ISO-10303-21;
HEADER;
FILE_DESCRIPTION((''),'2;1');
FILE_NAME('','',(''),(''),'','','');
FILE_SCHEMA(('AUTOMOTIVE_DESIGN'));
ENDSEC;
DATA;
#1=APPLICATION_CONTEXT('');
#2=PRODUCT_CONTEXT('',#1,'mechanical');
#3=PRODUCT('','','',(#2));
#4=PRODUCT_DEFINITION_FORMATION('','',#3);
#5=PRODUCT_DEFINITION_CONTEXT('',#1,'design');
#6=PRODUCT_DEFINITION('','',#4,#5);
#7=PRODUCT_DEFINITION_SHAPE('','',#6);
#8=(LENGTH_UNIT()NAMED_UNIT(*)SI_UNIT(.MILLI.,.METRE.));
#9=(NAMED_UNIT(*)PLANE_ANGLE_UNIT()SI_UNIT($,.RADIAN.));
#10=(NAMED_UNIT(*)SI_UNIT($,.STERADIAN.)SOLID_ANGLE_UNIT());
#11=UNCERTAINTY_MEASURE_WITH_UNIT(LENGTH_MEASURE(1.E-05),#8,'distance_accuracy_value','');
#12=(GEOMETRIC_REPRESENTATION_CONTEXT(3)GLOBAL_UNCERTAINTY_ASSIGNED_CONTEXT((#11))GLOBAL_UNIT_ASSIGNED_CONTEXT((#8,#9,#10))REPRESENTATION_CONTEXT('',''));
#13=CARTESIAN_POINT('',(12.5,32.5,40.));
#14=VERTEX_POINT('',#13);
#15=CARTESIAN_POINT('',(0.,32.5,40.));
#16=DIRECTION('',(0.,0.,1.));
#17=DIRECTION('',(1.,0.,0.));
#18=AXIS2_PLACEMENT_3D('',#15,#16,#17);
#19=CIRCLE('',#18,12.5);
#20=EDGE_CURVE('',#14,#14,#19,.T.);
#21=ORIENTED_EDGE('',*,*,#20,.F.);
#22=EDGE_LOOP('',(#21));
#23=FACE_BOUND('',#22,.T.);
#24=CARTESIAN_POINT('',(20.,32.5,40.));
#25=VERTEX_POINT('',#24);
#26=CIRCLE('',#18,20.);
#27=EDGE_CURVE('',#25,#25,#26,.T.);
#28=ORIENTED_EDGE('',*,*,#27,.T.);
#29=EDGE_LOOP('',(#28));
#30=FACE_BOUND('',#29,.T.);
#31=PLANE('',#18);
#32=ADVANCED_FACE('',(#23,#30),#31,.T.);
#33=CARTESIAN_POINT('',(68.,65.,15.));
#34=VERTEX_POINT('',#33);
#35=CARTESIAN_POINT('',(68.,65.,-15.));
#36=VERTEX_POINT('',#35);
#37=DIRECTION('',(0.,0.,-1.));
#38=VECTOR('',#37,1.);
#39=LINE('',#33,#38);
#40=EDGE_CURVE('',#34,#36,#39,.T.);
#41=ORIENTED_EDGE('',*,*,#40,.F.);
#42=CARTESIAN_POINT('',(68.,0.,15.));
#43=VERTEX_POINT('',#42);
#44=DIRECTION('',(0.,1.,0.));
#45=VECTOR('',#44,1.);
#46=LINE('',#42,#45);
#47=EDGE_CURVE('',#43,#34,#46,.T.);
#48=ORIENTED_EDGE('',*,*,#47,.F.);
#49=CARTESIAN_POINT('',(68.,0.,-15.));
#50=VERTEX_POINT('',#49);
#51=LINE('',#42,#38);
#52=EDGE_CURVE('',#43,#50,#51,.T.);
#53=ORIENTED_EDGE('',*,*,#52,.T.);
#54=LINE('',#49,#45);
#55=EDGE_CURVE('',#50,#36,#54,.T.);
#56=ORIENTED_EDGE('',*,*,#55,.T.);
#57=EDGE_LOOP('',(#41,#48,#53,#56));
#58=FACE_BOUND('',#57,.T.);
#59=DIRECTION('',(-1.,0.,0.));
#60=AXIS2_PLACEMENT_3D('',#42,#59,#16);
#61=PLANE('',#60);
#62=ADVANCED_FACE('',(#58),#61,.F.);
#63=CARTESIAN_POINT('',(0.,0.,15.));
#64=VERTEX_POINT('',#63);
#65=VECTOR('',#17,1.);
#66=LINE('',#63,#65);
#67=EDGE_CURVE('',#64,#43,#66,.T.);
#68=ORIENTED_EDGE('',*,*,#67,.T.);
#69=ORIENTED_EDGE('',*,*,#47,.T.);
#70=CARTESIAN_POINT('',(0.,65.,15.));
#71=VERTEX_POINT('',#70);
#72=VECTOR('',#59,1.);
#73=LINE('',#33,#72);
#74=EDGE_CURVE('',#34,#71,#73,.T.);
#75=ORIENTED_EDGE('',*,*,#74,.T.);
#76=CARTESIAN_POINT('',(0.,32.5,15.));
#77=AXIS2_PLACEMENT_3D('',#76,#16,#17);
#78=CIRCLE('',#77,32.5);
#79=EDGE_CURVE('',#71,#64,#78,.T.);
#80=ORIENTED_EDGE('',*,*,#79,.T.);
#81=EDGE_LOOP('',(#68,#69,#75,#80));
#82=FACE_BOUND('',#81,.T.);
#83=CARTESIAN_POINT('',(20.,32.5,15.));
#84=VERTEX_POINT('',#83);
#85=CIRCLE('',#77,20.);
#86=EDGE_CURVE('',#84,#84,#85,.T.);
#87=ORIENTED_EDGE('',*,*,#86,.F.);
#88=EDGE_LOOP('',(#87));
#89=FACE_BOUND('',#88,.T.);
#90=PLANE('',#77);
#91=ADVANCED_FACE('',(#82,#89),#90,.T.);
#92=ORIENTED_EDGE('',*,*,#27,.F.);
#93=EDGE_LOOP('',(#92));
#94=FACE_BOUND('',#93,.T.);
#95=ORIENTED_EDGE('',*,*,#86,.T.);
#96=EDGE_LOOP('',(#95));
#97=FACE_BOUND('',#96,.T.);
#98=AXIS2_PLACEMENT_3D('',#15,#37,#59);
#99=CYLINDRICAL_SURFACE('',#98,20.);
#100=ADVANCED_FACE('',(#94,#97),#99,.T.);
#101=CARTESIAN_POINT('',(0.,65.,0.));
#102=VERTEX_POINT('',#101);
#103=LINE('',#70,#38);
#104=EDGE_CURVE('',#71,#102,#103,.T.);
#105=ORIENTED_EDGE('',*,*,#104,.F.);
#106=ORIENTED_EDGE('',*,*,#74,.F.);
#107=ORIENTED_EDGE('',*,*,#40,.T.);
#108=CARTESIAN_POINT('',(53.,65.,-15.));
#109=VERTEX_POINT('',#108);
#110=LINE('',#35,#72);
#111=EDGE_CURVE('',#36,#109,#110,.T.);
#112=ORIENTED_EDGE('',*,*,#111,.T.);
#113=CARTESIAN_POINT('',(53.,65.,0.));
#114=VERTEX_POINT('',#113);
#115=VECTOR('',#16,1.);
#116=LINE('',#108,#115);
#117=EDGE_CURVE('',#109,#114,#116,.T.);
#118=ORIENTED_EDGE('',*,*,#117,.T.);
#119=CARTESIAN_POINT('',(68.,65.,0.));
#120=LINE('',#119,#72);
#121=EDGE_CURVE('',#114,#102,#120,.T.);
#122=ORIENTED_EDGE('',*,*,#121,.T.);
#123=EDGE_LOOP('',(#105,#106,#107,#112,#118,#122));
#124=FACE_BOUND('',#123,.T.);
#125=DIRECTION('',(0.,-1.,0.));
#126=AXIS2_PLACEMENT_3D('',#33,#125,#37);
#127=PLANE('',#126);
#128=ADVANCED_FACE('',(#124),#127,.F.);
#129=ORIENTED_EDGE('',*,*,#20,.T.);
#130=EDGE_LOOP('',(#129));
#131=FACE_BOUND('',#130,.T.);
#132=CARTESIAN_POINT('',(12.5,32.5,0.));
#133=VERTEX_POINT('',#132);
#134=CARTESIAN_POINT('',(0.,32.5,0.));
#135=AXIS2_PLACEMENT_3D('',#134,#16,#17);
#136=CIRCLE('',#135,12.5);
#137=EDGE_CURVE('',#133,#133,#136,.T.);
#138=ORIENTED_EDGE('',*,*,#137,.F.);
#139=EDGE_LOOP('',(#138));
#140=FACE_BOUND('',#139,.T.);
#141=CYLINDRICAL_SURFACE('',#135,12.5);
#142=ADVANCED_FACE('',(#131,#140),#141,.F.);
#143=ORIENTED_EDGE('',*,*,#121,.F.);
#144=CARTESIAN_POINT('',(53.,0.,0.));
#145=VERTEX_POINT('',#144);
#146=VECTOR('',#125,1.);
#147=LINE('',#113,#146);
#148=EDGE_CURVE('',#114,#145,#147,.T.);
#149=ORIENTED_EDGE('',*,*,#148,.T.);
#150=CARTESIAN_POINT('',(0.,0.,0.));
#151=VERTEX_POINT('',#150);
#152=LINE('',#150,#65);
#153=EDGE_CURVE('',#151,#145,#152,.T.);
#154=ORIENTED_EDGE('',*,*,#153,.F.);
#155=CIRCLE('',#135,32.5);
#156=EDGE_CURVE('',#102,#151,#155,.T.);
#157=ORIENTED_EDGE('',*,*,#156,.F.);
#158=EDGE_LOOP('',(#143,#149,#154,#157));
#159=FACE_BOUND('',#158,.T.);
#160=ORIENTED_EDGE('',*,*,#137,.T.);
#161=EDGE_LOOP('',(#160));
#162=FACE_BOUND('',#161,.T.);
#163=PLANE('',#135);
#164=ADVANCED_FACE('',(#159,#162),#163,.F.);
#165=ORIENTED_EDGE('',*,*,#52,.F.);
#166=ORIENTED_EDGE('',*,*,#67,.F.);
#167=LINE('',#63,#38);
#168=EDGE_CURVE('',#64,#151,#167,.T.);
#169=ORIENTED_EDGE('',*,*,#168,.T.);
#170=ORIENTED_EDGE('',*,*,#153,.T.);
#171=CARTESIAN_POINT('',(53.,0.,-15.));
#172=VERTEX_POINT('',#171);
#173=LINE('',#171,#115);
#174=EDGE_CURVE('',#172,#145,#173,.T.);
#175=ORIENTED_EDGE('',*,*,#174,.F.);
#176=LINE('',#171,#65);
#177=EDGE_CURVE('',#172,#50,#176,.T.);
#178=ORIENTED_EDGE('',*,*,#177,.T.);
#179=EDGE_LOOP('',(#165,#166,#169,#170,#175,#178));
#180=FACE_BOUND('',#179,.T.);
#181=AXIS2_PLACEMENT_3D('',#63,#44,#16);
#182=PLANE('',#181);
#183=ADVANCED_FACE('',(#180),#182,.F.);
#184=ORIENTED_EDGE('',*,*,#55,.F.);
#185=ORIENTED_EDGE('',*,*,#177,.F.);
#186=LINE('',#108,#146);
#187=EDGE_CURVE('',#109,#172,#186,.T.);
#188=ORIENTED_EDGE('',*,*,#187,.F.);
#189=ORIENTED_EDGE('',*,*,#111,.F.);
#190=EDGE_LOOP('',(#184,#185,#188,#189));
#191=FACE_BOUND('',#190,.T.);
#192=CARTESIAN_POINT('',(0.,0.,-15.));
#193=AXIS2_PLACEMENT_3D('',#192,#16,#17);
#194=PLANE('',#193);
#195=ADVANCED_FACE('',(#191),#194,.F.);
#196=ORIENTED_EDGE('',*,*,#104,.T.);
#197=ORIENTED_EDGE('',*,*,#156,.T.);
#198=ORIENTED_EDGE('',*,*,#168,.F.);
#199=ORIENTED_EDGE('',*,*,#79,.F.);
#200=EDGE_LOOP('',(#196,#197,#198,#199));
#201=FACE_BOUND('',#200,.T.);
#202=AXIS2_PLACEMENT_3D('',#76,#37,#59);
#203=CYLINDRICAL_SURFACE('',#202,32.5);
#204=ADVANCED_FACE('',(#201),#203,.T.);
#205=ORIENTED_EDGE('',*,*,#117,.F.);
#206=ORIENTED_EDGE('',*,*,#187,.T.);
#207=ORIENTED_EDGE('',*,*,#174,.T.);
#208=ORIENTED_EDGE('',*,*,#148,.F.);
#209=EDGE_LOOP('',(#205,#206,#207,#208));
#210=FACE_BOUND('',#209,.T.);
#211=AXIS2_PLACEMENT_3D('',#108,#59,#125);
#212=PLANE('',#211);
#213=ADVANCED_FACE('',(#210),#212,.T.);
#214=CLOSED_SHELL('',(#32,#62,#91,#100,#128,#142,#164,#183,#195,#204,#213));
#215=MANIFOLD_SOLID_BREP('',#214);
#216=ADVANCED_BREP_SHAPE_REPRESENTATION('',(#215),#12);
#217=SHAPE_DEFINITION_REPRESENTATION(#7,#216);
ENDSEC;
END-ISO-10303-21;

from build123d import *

# Parameters (mm, degrees)
BOSS_EXTRUDE1_DEPTH = 15
SKETCH2_R           = 20
BOSS_EXTRUDE2_DEPTH = 25
SKETCH3_R           = 12.5
CUT_EXTRUDE1_DEPTH  = 103.220350224
SKETCH4_W           = 15
SKETCH4_H           = 65
BOSS_EXTRUDE3_DEPTH = 15


with BuildPart() as part:
    # Sketch1 → Boss-Extrude1 (new body)
    with BuildSketch(Plane.XY):
        with BuildLine():
            Line((0, 0), (68, 0))
            Line((68, 0), (68, 65))
            Line((68, 65), (0, 65))
            ThreePointArc((0, 65), (-32.5, 32.5), (0, 0))
        make_face()
    extrude(amount=BOSS_EXTRUDE1_DEPTH)

    # Sketch2 → Boss-Extrude2 (add)
    with BuildSketch(Plane.XY.offset(15)):
        with Locations((0, 32.5)):
            Circle(SKETCH2_R)
    extrude(amount=BOSS_EXTRUDE2_DEPTH)

    # Sketch3 → Cut-Extrude1 (cut, through all)
    with BuildSketch(Plane.XY.offset(40)):
        with Locations((0, 32.5)):
            Circle(SKETCH3_R)
    extrude(amount=-CUT_EXTRUDE1_DEPTH, mode=Mode.SUBTRACT)

    # Sketch4 → Boss-Extrude3 (add)
    with BuildSketch(Plane(origin=(0, 0, 0), x_dir=(-1, 0, 0), z_dir=(0, 0, -1))):
        with Locations((-60.5, 32.5)):
            Rectangle(SKETCH4_W, SKETCH4_H)
    extrude(amount=BOSS_EXTRUDE3_DEPTH)


solid = part.part
